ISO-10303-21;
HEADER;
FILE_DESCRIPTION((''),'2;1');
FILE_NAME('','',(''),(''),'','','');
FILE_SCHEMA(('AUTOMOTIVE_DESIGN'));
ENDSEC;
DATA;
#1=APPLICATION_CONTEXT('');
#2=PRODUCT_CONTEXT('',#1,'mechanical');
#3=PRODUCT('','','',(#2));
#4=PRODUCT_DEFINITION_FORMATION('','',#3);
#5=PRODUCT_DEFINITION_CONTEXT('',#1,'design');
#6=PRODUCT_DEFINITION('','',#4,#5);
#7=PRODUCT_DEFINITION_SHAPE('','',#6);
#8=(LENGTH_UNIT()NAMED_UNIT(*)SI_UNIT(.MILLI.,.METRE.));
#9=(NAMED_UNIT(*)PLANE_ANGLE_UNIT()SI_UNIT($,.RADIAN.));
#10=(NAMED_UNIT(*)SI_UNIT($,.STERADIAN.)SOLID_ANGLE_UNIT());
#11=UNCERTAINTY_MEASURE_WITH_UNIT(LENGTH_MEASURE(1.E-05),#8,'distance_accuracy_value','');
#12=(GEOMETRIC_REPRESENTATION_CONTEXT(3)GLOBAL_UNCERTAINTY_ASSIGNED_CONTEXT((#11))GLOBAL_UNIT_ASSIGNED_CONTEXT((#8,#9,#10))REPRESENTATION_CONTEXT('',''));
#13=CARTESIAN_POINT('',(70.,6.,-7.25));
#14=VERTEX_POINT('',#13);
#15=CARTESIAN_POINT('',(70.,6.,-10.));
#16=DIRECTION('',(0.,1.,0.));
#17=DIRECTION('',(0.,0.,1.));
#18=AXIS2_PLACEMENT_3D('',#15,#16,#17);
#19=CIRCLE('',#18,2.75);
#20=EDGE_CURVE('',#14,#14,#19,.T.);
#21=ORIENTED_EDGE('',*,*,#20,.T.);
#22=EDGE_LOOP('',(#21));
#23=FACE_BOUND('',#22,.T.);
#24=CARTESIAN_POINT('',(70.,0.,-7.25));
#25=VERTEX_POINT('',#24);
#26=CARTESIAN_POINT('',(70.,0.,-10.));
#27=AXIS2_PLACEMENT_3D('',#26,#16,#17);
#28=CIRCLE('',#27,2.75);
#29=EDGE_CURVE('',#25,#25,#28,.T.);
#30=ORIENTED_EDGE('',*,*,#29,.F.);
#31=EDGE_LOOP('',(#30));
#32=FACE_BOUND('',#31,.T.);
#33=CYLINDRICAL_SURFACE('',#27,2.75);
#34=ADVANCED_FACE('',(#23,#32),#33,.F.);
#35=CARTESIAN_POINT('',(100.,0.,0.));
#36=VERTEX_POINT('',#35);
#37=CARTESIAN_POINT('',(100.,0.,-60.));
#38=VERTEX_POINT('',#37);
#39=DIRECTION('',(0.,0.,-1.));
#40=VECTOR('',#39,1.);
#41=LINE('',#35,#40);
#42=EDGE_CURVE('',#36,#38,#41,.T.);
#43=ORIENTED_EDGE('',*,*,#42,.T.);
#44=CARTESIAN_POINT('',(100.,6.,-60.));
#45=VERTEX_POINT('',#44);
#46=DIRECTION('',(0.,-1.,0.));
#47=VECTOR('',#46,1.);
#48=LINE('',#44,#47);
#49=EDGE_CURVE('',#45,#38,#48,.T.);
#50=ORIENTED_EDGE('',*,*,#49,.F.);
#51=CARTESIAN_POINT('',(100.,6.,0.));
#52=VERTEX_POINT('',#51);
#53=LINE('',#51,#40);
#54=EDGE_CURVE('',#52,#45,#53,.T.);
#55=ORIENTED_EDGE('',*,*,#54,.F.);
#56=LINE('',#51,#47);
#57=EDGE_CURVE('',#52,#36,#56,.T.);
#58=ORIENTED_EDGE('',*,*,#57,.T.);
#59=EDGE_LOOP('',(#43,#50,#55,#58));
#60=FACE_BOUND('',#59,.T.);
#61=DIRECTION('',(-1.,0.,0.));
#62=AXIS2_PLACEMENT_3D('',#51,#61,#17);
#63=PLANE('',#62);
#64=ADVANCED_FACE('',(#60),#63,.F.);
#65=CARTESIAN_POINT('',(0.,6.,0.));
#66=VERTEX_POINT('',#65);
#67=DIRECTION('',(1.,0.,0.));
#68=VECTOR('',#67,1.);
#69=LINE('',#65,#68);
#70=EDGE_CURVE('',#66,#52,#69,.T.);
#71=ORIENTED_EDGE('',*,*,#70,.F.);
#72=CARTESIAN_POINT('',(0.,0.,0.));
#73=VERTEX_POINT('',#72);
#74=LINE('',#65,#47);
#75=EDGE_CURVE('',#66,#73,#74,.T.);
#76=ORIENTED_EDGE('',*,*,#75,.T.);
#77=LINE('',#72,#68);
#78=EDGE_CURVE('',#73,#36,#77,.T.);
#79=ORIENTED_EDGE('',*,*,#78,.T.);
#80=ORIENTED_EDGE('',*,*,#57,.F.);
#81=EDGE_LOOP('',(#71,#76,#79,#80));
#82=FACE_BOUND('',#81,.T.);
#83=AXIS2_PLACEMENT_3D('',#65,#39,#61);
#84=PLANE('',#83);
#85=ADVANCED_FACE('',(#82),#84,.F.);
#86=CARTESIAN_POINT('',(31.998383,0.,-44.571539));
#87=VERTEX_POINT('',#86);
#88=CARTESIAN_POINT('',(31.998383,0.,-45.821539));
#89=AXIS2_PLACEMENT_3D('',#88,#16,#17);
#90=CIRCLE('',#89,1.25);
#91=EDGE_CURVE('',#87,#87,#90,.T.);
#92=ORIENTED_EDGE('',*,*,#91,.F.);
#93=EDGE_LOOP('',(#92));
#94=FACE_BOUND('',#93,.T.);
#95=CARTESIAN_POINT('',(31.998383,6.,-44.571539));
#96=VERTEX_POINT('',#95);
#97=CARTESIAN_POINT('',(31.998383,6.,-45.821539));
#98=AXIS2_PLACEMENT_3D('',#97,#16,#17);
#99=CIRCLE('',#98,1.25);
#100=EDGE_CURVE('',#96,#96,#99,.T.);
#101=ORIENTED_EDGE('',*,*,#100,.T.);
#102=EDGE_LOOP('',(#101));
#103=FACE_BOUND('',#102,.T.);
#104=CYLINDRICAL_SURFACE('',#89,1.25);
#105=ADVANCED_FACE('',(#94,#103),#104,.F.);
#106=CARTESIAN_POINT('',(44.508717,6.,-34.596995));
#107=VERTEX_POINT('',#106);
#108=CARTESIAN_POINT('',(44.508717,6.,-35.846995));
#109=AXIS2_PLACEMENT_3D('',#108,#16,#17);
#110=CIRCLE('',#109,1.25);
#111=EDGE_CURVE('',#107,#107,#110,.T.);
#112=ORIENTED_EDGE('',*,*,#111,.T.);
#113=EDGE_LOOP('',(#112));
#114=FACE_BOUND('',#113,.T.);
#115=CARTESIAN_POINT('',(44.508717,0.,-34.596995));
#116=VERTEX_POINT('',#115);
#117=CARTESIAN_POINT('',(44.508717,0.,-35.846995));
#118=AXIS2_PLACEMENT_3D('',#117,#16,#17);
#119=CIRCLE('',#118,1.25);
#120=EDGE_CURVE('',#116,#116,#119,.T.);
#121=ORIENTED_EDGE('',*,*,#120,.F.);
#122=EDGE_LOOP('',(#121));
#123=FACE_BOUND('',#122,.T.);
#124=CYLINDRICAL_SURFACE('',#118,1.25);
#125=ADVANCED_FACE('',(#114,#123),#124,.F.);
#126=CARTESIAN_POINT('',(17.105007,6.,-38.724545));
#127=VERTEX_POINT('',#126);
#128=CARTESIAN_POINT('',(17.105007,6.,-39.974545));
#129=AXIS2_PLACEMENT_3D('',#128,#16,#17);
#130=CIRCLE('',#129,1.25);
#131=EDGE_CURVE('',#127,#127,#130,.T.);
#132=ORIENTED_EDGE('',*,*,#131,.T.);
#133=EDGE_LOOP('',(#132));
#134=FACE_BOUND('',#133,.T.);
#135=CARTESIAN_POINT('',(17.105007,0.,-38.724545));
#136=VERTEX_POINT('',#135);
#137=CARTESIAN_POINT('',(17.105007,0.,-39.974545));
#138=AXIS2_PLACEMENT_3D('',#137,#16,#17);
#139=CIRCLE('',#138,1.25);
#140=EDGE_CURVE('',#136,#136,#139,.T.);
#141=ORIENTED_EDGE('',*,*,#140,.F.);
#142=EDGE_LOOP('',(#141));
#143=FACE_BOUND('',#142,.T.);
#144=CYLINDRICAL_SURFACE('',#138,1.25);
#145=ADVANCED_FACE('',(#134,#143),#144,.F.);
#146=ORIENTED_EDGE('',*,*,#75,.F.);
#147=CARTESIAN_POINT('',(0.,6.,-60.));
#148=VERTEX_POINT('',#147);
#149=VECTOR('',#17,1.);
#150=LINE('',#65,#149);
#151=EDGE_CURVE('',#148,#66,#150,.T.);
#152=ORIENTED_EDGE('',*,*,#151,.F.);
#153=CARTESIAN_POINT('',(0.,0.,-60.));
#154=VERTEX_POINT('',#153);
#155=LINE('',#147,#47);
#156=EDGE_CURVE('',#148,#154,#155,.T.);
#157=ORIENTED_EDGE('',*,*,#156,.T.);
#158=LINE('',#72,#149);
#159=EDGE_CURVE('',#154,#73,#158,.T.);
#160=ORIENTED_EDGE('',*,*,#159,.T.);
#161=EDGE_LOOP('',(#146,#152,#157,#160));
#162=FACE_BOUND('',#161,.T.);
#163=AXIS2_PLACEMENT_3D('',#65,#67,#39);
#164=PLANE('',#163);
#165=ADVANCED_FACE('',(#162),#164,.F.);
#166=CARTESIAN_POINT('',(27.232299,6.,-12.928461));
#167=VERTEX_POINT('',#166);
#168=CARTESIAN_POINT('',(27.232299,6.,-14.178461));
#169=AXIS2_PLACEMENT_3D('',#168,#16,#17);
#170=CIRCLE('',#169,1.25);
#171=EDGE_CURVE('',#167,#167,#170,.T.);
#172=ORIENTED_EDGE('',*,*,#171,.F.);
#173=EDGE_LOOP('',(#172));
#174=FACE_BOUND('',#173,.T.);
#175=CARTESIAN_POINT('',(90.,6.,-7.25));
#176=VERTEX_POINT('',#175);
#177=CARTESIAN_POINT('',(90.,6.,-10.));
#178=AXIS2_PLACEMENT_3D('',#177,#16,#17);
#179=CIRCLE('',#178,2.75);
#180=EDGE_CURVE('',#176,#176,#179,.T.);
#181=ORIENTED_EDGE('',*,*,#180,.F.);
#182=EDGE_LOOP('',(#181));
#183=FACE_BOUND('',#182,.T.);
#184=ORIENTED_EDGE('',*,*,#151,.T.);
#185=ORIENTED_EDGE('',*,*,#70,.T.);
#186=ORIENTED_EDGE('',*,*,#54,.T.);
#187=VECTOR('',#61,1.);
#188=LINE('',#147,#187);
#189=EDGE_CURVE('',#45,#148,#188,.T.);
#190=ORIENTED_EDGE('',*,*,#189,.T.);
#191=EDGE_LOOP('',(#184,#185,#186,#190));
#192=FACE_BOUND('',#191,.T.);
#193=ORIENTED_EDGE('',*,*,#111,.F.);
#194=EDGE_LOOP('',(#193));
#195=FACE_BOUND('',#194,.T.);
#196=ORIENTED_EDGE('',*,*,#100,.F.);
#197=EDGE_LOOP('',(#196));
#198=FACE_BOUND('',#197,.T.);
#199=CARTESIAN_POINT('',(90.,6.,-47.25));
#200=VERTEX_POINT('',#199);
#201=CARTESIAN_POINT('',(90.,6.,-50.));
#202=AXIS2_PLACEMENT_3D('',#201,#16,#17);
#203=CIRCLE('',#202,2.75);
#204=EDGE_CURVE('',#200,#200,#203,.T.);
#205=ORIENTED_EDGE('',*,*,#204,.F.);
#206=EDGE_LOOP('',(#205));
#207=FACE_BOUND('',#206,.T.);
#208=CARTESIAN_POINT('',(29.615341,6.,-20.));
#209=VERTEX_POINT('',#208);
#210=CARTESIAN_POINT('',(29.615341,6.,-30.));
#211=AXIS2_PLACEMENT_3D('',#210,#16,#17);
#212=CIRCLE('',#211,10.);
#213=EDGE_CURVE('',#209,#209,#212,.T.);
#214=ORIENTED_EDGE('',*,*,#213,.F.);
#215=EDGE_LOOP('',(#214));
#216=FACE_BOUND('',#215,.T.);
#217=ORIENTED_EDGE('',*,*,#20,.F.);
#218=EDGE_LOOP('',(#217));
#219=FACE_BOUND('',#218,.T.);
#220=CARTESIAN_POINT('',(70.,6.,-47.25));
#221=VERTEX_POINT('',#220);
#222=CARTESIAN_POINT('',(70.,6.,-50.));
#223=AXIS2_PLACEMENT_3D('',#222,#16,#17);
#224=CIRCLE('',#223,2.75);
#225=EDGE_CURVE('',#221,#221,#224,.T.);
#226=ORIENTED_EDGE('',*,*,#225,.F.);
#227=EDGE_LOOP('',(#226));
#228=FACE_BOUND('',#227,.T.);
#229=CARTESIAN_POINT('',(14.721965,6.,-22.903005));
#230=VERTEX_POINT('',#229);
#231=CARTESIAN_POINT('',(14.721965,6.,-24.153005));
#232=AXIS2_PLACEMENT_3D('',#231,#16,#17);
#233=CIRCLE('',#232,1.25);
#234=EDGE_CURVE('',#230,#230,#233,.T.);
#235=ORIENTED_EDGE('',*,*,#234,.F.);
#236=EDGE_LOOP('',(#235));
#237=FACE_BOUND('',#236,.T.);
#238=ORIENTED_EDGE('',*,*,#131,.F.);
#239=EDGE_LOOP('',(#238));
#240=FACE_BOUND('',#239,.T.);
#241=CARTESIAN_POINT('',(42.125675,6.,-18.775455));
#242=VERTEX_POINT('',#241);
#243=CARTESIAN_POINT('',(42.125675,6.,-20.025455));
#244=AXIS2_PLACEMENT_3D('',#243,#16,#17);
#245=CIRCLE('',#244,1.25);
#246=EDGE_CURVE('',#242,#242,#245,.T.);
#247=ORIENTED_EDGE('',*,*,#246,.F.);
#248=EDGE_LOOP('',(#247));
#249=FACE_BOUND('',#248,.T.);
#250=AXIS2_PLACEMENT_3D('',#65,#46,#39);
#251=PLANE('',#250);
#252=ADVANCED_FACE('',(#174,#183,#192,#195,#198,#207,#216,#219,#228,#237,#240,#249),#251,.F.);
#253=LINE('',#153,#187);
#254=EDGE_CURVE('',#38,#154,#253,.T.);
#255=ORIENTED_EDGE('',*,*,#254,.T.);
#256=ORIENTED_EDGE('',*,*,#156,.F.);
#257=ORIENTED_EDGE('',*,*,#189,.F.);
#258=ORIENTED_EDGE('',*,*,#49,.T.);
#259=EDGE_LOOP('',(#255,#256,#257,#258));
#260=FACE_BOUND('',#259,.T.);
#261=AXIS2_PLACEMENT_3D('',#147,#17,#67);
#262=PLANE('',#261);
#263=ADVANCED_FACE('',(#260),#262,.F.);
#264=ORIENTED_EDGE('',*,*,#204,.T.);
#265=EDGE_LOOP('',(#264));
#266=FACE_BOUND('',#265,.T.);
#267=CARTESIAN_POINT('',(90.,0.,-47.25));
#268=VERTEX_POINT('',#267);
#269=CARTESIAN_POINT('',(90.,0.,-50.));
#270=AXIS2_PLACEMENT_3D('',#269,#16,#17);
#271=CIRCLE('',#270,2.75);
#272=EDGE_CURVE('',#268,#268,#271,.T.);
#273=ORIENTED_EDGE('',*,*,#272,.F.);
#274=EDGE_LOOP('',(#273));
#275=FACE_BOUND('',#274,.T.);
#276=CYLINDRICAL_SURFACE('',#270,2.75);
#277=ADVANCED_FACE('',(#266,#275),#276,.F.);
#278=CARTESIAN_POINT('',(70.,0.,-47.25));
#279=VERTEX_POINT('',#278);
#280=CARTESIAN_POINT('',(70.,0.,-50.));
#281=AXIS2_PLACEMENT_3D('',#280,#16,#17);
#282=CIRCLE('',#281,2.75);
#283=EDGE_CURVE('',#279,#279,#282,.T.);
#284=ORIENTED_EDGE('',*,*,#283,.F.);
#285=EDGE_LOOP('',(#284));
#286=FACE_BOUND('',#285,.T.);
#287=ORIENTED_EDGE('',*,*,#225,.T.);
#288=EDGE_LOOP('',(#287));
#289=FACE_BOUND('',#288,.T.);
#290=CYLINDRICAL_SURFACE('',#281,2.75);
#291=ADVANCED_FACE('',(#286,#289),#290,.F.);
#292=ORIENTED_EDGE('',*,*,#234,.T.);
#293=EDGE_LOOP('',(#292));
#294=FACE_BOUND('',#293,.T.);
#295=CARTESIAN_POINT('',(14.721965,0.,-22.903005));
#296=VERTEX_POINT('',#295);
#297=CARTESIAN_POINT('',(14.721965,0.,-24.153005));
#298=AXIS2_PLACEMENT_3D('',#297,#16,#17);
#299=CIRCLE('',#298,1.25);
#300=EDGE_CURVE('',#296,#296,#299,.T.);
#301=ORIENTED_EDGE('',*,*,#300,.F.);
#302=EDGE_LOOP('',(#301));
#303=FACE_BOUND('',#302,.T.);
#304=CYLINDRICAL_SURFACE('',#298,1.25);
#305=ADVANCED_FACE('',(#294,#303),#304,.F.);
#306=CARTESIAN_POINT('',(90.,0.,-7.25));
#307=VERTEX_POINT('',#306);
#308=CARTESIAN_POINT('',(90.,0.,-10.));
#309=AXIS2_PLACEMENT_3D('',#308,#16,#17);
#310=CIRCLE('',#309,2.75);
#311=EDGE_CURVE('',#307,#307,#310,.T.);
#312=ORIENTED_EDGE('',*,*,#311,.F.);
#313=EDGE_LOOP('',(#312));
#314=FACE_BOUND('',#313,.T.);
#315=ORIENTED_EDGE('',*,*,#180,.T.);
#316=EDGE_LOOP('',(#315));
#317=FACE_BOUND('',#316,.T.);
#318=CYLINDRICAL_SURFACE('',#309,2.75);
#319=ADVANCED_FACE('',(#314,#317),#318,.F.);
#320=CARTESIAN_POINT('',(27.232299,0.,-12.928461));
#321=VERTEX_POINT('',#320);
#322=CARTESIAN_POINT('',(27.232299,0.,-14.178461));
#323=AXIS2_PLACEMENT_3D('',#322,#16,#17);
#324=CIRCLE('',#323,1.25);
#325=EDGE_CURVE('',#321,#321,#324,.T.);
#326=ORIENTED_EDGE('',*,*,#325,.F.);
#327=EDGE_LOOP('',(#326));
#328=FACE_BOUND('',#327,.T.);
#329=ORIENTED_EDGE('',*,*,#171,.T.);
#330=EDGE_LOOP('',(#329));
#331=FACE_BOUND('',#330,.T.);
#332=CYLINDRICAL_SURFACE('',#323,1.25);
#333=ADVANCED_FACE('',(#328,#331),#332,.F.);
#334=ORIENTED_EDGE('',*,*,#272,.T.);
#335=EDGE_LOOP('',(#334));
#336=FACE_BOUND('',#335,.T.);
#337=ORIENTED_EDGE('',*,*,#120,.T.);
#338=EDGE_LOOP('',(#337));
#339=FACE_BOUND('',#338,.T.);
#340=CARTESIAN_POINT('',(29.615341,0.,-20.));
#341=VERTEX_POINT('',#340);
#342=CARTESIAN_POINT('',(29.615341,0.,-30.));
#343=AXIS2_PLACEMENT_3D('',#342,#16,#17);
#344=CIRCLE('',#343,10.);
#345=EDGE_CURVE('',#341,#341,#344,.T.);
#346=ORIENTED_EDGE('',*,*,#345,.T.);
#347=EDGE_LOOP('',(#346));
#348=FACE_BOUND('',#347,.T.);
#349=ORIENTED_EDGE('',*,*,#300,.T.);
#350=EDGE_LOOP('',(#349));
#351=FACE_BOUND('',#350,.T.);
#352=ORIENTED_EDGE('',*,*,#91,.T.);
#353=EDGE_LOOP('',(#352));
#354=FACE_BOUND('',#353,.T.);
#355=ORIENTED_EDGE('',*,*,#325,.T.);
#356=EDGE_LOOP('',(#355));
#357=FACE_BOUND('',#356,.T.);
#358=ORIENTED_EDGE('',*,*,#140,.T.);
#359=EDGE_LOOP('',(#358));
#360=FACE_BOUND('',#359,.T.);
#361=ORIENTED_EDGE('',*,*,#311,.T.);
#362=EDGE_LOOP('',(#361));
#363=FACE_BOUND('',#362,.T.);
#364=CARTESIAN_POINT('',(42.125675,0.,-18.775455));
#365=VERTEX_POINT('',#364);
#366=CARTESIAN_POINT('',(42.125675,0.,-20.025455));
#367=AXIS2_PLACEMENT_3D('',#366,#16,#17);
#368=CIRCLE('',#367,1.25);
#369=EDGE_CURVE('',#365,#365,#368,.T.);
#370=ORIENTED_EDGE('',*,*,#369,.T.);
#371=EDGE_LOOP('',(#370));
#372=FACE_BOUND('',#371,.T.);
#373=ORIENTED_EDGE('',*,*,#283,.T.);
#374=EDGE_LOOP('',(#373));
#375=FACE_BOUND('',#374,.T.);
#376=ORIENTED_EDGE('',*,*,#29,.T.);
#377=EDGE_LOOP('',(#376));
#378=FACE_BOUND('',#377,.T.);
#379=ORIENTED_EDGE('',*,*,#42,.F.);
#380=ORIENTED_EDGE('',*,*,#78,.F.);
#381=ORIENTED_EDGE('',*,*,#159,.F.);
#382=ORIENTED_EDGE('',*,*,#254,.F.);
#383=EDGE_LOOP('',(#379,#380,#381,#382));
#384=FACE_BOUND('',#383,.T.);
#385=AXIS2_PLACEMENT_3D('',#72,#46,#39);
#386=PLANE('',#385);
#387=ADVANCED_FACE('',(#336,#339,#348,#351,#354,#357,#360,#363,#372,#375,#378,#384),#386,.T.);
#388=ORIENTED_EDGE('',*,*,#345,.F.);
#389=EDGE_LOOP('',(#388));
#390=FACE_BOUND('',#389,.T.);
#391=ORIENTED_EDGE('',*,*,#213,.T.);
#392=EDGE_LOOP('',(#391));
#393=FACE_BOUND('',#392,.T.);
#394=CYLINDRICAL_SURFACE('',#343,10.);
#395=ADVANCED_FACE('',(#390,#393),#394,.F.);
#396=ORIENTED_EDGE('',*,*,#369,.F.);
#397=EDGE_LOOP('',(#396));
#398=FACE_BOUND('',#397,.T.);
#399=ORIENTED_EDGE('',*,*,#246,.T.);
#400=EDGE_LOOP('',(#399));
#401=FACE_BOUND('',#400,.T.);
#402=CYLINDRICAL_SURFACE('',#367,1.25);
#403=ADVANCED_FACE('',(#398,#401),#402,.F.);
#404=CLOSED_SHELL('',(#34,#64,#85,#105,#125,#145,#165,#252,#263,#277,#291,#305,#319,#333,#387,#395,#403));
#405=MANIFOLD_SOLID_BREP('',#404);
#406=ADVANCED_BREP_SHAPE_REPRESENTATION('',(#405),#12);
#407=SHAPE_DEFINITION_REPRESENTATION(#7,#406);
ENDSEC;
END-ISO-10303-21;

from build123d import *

# Parameters (mm, degrees)
SKETCH1_W           = 100
SKETCH1_H           = 60
BOSS_EXTRUDE1_DEPTH = 6
SKETCH2_R           = 10
SKETCH2_R_2         = 2.75
CUT_EXTRUDE1_DEPTH  = 6
SKETCH3_R           = 1.25
CUT_EXTRUDE2_DEPTH  = 7


with BuildPart() as part:
    # Sketch1 → Boss-Extrude1 (new body)
    with BuildSketch(Plane(origin=(0, 0, 0), x_dir=(1, 0, 0), z_dir=(0, 1, 0))):
        with Locations((50, 30)):
            Rectangle(SKETCH1_W, SKETCH1_H)
    extrude(amount=BOSS_EXTRUDE1_DEPTH)

    # Sketch2 → Cut-Extrude1 (cut)
    with BuildSketch(Plane(origin=(0, 6, 0), x_dir=(1, 0, 0), z_dir=(0, 1, 0))):
        with Locations((29.615341175, 30)):
            Circle(SKETCH2_R)
        with Locations((70, 50)):
            Circle(SKETCH2_R_2)
        with Locations((90, 50)):
            Circle(SKETCH2_R_2)
        with Locations((70, 10)):
            Circle(SKETCH2_R_2)
        with Locations((90, 10)):
            Circle(SKETCH2_R_2)
    extrude(amount=-CUT_EXTRUDE1_DEPTH, mode=Mode.SUBTRACT)

    # Sketch3 → Cut-Extrude2 (cut, through all)
    with BuildSketch(Plane(origin=(0, 6, 0), x_dir=(1, 0, 0), z_dir=(0, 1, 0))):
        with Locations((31.998383025, 45.821539481)):
            Circle(SKETCH3_R)
        with Locations((44.508717217, 35.846994961)):
            Circle(SKETCH3_R)
        with Locations((42.125675368, 20.02545548)):
            Circle(SKETCH3_R)
        with Locations((27.232299326, 14.178460519)):
            Circle(SKETCH3_R)
        with Locations((14.721965133, 24.153005039)):
            Circle(SKETCH3_R)
        with Locations((17.105006983, 39.97454452)):
            Circle(SKETCH3_R)
    extrude(amount=-CUT_EXTRUDE2_DEPTH, mode=Mode.SUBTRACT)


solid = part.part
